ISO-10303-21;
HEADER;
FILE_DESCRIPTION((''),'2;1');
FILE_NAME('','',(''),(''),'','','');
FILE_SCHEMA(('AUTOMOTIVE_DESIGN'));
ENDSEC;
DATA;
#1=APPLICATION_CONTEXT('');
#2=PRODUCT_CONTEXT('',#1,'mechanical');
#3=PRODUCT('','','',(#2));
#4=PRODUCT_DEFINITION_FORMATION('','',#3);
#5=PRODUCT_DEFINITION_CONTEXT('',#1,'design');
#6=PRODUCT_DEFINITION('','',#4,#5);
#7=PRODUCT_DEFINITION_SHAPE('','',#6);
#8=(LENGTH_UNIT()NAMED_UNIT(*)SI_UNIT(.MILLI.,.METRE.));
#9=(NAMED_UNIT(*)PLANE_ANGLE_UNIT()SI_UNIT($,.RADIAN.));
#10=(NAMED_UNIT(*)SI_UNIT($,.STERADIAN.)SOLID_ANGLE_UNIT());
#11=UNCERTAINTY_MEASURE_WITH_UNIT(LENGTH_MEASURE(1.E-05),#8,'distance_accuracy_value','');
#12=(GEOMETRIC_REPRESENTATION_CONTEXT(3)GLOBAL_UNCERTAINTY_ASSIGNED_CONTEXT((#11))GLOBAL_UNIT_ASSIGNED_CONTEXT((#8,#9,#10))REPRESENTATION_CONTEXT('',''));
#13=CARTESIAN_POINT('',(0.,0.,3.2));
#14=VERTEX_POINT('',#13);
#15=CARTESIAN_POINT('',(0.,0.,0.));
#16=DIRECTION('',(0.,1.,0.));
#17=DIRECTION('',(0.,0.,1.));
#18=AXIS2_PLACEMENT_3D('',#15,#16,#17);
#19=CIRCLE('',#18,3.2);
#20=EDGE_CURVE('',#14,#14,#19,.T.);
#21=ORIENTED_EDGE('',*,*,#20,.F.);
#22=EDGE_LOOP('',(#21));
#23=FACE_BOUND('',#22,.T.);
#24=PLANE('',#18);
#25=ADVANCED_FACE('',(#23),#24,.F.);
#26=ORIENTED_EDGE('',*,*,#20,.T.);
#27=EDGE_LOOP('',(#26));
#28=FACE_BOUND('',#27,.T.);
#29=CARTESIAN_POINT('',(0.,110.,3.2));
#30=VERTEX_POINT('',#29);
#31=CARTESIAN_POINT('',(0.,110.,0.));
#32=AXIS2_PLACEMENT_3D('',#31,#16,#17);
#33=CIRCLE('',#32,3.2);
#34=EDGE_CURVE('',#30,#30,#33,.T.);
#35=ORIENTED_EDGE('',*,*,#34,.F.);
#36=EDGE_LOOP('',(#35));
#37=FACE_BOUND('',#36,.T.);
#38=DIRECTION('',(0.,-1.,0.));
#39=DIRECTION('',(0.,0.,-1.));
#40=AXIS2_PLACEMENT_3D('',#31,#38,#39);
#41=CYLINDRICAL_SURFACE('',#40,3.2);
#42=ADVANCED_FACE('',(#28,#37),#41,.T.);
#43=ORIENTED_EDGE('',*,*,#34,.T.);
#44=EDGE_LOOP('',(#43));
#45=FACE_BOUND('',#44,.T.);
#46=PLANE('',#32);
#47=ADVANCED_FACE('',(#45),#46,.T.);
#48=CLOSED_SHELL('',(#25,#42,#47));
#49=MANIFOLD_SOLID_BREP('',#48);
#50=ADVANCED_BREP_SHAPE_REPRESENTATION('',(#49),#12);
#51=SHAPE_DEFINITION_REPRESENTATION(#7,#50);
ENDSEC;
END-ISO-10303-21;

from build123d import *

# Parameters (mm, degrees)
CROQUIS1_R              = 3.2
SALIENTE_EXTRUIR1_DEPTH = 110


with BuildPart() as part:
    # Croquis1 → Saliente-Extruir1 (new body)
    with BuildSketch(Plane(origin=(0, 0, 0), x_dir=(1, 0, 0), z_dir=(0, 1, 0))):
        Circle(CROQUIS1_R)
    extrude(amount=SALIENTE_EXTRUIR1_DEPTH)


solid = part.part
